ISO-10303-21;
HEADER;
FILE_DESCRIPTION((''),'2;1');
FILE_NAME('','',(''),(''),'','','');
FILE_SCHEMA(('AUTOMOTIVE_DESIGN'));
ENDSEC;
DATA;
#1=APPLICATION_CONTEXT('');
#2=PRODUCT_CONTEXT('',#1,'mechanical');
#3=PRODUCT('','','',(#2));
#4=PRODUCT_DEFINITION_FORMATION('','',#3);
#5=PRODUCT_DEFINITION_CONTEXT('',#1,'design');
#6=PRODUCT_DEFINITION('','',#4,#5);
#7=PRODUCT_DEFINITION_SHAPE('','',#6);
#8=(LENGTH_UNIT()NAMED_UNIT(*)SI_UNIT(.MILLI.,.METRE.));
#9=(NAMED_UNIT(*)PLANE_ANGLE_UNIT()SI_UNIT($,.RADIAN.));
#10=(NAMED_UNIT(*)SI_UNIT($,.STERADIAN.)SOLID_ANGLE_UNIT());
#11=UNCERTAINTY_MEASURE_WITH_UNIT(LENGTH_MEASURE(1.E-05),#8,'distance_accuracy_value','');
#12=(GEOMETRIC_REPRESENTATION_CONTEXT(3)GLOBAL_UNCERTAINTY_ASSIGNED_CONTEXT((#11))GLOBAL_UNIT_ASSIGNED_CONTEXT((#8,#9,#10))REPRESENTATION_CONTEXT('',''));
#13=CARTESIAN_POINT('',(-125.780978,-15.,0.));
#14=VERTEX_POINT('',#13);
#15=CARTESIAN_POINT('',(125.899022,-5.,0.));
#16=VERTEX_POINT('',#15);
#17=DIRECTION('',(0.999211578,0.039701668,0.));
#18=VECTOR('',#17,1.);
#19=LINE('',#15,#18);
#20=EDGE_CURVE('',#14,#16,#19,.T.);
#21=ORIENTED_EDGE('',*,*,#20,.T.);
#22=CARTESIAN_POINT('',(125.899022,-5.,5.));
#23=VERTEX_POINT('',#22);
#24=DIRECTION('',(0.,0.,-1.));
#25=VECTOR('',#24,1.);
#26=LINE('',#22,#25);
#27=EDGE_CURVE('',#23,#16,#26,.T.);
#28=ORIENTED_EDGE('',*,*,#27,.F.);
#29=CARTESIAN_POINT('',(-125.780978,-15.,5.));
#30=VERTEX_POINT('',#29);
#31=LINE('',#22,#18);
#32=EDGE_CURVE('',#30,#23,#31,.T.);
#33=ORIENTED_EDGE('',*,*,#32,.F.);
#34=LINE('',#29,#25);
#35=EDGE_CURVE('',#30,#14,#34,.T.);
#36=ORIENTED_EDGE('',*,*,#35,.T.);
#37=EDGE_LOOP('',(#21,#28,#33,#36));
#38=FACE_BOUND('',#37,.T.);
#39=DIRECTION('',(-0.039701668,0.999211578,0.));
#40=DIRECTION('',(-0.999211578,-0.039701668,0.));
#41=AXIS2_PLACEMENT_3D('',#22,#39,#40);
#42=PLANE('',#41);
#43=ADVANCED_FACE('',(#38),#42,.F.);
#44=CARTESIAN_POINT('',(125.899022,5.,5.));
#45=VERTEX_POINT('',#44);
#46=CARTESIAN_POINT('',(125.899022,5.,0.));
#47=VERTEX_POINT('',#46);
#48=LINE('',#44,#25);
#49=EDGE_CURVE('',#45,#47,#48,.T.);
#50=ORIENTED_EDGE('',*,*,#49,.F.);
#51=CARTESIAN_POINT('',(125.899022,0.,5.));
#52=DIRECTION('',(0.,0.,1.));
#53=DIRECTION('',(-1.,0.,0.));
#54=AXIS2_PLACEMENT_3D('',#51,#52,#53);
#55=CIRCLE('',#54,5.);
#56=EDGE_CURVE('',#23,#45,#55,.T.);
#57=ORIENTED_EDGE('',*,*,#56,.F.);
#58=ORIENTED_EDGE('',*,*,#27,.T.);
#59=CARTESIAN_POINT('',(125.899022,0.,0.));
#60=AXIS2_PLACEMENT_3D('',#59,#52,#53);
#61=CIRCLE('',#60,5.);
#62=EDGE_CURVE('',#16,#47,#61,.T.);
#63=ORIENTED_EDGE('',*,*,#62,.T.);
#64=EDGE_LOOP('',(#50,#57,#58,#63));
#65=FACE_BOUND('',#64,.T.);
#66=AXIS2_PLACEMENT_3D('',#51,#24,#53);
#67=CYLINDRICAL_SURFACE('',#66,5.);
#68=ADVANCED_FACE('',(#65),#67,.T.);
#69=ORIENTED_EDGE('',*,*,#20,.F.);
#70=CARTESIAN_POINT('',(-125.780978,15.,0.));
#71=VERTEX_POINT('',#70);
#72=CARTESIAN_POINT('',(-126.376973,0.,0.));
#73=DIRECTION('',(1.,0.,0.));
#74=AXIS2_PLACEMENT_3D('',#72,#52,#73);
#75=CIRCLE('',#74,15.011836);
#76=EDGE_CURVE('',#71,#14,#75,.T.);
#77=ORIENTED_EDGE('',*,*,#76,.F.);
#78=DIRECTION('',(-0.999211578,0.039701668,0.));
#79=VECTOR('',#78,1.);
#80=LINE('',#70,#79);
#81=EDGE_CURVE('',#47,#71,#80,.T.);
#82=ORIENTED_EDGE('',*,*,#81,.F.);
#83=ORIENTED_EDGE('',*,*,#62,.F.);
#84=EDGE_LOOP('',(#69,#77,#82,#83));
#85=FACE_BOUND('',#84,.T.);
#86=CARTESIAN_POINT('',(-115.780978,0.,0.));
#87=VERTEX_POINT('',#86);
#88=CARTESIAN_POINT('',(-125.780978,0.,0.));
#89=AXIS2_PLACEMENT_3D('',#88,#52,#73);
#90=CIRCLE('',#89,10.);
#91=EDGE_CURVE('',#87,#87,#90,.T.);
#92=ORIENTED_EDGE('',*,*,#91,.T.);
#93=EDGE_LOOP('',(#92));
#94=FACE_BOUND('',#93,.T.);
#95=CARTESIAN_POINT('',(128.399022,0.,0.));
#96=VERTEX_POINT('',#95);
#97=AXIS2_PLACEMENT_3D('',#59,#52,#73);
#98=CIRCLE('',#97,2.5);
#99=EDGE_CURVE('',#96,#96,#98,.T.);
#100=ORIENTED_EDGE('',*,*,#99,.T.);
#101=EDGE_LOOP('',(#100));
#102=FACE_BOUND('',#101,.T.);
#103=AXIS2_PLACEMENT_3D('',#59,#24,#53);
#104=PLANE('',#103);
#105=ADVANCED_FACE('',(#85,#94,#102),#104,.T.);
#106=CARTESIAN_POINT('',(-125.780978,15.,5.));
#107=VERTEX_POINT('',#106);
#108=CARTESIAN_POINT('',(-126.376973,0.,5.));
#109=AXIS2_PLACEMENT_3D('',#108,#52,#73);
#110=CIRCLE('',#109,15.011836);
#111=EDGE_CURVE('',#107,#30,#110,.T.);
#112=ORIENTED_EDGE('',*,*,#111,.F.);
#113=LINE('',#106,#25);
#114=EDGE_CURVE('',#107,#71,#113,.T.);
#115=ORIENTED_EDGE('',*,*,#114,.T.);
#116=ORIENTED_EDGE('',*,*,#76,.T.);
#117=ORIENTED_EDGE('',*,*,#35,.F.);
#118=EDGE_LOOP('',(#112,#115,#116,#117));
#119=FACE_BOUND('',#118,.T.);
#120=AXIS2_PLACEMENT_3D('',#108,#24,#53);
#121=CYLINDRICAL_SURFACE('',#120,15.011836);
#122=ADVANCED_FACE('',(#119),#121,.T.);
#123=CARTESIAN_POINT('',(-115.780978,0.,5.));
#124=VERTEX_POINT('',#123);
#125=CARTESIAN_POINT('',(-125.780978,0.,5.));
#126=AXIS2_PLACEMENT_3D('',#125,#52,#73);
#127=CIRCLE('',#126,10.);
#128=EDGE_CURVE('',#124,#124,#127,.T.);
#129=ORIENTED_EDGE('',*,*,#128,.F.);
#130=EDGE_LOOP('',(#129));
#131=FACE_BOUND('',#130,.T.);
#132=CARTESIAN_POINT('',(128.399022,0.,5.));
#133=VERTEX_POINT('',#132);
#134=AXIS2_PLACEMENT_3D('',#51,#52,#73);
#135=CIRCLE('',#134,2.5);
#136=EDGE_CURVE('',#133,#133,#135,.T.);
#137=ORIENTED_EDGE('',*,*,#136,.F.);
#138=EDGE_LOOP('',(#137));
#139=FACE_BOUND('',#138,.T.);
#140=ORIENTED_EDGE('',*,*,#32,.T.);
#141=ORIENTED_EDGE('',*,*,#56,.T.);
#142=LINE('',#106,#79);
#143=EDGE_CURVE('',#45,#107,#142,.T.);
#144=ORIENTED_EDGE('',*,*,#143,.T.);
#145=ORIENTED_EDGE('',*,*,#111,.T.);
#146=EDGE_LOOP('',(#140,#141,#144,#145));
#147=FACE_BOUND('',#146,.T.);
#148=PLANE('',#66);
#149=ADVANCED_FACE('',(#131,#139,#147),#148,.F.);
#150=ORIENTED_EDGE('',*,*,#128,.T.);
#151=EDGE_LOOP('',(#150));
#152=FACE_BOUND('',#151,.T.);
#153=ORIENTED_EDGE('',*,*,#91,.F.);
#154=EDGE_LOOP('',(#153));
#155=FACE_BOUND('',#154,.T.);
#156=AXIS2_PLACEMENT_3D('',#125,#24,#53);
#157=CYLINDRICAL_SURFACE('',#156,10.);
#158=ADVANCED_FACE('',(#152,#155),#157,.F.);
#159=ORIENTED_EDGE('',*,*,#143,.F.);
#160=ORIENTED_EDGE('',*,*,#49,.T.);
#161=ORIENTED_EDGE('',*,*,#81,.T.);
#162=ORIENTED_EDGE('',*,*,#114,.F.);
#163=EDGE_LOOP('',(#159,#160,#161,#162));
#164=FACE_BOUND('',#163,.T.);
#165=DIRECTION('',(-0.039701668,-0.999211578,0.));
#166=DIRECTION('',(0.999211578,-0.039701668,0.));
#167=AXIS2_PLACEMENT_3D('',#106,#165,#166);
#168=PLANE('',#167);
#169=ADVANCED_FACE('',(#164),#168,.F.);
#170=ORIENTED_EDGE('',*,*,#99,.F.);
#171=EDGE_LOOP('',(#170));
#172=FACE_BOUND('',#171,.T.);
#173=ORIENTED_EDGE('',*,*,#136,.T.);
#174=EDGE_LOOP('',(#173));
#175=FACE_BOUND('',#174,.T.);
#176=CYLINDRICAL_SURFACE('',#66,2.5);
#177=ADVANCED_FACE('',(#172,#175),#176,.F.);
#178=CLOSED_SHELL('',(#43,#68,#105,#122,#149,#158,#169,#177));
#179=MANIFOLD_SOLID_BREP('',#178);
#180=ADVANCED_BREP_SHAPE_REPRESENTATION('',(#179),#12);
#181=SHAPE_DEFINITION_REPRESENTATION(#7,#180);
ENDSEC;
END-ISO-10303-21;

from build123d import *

# Parameters (mm, degrees)
ESBO_O1_R                = 2.5
ESBO_O1_R_2              = 10
RESSALTO_EXTRUS_O1_DEPTH = 5


with BuildPart() as part:
    # Esboço1 → Ressalto-extrusão1 (new body)
    with BuildSketch(Plane.XY):
        with BuildLine():
            Line((-125.78097799, 15), (125.89902201, 5))
            ThreePointArc((125.89902201, 5), (130.89902201, 0), (125.89902201, -5))
            Line((125.89902201, -5), (-125.78097799, -15))
            ThreePointArc((-125.78097799, -15), (-141.388808566, 0), (-125.78097799, 15))
        make_face()
        with Locations((125.89902201, 0)):
            Circle(ESBO_O1_R, mode=Mode.SUBTRACT)
        with Locations((-125.78097799, 0)):
            Circle(ESBO_O1_R_2, mode=Mode.SUBTRACT)
    extrude(amount=RESSALTO_EXTRUS_O1_DEPTH)


solid = part.part
